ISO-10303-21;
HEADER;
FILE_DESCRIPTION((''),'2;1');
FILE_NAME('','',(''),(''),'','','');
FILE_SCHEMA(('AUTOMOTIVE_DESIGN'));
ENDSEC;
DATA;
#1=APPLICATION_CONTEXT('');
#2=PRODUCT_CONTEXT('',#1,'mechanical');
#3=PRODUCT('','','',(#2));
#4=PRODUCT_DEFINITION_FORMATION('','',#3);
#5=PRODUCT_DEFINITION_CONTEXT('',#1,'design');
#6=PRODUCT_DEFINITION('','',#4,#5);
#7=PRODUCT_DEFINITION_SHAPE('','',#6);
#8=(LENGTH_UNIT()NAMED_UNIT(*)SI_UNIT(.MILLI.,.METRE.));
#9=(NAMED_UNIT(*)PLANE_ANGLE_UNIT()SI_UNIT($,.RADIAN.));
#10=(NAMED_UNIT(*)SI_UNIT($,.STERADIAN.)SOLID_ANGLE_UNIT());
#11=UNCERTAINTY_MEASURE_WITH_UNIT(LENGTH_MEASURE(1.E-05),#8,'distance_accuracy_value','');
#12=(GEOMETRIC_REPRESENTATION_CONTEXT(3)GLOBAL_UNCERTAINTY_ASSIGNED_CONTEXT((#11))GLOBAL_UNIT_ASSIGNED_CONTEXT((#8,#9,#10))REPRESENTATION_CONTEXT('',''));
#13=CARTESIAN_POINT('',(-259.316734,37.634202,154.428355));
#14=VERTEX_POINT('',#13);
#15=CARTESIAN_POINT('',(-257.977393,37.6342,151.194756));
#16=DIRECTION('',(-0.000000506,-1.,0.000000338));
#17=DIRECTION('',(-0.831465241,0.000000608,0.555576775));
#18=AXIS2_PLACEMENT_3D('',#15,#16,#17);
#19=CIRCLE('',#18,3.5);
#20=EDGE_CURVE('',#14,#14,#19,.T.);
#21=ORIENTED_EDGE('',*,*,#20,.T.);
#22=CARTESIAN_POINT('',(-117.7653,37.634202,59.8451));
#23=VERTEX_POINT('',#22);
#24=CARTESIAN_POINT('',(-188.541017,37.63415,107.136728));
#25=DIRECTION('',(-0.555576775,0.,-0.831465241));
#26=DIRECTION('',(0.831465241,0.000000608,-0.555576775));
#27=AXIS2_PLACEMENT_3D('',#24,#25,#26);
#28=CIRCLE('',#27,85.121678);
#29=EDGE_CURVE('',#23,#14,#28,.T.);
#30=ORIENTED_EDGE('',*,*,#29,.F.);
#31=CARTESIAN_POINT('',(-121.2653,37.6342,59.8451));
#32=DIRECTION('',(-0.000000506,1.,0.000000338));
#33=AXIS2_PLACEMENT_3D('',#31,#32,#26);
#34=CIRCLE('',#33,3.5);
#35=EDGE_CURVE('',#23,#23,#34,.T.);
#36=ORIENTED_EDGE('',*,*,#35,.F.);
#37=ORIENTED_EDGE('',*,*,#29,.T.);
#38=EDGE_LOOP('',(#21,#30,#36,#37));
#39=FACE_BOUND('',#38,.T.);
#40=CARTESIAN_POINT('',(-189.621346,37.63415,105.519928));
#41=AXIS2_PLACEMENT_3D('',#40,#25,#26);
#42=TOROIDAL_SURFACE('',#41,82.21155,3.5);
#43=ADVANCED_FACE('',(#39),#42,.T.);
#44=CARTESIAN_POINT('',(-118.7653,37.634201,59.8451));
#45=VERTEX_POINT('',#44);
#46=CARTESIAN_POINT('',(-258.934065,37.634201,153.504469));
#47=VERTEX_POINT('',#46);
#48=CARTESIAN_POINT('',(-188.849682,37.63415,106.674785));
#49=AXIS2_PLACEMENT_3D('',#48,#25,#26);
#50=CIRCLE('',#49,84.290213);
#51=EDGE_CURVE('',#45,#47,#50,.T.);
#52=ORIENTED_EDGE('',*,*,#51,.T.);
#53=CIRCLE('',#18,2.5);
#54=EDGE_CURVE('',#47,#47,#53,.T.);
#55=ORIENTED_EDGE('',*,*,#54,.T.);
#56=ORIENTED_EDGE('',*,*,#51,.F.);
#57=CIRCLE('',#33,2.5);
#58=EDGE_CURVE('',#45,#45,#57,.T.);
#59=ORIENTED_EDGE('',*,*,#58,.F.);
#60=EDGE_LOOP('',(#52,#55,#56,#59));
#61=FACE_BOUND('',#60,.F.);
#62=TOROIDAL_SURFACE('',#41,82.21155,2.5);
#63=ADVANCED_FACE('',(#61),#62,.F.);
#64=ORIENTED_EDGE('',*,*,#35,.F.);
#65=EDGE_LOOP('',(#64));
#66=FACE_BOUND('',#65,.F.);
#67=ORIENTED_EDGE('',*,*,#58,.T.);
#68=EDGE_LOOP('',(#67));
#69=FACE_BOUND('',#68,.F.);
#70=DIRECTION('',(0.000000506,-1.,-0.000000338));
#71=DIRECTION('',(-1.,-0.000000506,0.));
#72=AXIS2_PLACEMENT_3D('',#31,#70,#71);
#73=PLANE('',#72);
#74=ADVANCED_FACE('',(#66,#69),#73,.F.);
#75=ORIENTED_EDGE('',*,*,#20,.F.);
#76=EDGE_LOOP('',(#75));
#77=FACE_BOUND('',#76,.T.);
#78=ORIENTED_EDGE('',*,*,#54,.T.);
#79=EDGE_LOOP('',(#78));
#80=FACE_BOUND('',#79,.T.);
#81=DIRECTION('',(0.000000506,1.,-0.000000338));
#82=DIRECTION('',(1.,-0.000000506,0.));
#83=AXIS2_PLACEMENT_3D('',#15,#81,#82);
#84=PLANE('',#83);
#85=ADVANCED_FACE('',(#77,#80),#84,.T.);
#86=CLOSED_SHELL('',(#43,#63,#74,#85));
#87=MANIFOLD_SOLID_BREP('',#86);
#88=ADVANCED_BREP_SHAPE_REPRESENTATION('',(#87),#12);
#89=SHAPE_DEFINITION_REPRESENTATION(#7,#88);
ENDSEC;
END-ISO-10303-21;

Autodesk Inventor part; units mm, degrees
ref_plane "YZ Plane" through (0, 0, 0) normal (1, 0, 0) x (0, 1, 0)
ref_plane "XZ Plane" through (0, 0, 0) normal (0, 1, 0) x (-1, 0, 0)
ref_plane "XY Plane" through (0, 0, 0) normal (0, 0, 1) x (1, 0, 0)
ref_plane "РабПлоскость1" through (-121.2653, 37.6342, 59.8451) normal (-0.5556, 0, -0.8315) x (0, -1, 0)
sketch "Эскиз2" plane through (-121.2653, 37.6342, 59.8451) normal (-0.5556, 0, -0.8315) x (0, -1, 0)
  arc A0 (0, 0) -> (0, 164.4231) centre (0, 82.2116) ccw
  point P0 (37.6342, -134.0765)
ref_plane "РабПлоскость2" through (-121.2653, 37.6342, 59.8451) normal (0, -1, 0) x (1, 0, 0)
sketch "Эскиз3" plane through (-121.2653, 37.6342, 59.8451) normal (0, -1, 0) x (1, 0, 0)
  circle A0 centre (0, 0) radius 3.5 projected
  circle A1 centre (0, 0) radius 2.5 projected
  point P0 (121.2653, -59.8451)
sweep "Сдвиг1" add profiles "Эскиз3" path "Эскиз2"
properties part number "winding_not_formed_6_A"
